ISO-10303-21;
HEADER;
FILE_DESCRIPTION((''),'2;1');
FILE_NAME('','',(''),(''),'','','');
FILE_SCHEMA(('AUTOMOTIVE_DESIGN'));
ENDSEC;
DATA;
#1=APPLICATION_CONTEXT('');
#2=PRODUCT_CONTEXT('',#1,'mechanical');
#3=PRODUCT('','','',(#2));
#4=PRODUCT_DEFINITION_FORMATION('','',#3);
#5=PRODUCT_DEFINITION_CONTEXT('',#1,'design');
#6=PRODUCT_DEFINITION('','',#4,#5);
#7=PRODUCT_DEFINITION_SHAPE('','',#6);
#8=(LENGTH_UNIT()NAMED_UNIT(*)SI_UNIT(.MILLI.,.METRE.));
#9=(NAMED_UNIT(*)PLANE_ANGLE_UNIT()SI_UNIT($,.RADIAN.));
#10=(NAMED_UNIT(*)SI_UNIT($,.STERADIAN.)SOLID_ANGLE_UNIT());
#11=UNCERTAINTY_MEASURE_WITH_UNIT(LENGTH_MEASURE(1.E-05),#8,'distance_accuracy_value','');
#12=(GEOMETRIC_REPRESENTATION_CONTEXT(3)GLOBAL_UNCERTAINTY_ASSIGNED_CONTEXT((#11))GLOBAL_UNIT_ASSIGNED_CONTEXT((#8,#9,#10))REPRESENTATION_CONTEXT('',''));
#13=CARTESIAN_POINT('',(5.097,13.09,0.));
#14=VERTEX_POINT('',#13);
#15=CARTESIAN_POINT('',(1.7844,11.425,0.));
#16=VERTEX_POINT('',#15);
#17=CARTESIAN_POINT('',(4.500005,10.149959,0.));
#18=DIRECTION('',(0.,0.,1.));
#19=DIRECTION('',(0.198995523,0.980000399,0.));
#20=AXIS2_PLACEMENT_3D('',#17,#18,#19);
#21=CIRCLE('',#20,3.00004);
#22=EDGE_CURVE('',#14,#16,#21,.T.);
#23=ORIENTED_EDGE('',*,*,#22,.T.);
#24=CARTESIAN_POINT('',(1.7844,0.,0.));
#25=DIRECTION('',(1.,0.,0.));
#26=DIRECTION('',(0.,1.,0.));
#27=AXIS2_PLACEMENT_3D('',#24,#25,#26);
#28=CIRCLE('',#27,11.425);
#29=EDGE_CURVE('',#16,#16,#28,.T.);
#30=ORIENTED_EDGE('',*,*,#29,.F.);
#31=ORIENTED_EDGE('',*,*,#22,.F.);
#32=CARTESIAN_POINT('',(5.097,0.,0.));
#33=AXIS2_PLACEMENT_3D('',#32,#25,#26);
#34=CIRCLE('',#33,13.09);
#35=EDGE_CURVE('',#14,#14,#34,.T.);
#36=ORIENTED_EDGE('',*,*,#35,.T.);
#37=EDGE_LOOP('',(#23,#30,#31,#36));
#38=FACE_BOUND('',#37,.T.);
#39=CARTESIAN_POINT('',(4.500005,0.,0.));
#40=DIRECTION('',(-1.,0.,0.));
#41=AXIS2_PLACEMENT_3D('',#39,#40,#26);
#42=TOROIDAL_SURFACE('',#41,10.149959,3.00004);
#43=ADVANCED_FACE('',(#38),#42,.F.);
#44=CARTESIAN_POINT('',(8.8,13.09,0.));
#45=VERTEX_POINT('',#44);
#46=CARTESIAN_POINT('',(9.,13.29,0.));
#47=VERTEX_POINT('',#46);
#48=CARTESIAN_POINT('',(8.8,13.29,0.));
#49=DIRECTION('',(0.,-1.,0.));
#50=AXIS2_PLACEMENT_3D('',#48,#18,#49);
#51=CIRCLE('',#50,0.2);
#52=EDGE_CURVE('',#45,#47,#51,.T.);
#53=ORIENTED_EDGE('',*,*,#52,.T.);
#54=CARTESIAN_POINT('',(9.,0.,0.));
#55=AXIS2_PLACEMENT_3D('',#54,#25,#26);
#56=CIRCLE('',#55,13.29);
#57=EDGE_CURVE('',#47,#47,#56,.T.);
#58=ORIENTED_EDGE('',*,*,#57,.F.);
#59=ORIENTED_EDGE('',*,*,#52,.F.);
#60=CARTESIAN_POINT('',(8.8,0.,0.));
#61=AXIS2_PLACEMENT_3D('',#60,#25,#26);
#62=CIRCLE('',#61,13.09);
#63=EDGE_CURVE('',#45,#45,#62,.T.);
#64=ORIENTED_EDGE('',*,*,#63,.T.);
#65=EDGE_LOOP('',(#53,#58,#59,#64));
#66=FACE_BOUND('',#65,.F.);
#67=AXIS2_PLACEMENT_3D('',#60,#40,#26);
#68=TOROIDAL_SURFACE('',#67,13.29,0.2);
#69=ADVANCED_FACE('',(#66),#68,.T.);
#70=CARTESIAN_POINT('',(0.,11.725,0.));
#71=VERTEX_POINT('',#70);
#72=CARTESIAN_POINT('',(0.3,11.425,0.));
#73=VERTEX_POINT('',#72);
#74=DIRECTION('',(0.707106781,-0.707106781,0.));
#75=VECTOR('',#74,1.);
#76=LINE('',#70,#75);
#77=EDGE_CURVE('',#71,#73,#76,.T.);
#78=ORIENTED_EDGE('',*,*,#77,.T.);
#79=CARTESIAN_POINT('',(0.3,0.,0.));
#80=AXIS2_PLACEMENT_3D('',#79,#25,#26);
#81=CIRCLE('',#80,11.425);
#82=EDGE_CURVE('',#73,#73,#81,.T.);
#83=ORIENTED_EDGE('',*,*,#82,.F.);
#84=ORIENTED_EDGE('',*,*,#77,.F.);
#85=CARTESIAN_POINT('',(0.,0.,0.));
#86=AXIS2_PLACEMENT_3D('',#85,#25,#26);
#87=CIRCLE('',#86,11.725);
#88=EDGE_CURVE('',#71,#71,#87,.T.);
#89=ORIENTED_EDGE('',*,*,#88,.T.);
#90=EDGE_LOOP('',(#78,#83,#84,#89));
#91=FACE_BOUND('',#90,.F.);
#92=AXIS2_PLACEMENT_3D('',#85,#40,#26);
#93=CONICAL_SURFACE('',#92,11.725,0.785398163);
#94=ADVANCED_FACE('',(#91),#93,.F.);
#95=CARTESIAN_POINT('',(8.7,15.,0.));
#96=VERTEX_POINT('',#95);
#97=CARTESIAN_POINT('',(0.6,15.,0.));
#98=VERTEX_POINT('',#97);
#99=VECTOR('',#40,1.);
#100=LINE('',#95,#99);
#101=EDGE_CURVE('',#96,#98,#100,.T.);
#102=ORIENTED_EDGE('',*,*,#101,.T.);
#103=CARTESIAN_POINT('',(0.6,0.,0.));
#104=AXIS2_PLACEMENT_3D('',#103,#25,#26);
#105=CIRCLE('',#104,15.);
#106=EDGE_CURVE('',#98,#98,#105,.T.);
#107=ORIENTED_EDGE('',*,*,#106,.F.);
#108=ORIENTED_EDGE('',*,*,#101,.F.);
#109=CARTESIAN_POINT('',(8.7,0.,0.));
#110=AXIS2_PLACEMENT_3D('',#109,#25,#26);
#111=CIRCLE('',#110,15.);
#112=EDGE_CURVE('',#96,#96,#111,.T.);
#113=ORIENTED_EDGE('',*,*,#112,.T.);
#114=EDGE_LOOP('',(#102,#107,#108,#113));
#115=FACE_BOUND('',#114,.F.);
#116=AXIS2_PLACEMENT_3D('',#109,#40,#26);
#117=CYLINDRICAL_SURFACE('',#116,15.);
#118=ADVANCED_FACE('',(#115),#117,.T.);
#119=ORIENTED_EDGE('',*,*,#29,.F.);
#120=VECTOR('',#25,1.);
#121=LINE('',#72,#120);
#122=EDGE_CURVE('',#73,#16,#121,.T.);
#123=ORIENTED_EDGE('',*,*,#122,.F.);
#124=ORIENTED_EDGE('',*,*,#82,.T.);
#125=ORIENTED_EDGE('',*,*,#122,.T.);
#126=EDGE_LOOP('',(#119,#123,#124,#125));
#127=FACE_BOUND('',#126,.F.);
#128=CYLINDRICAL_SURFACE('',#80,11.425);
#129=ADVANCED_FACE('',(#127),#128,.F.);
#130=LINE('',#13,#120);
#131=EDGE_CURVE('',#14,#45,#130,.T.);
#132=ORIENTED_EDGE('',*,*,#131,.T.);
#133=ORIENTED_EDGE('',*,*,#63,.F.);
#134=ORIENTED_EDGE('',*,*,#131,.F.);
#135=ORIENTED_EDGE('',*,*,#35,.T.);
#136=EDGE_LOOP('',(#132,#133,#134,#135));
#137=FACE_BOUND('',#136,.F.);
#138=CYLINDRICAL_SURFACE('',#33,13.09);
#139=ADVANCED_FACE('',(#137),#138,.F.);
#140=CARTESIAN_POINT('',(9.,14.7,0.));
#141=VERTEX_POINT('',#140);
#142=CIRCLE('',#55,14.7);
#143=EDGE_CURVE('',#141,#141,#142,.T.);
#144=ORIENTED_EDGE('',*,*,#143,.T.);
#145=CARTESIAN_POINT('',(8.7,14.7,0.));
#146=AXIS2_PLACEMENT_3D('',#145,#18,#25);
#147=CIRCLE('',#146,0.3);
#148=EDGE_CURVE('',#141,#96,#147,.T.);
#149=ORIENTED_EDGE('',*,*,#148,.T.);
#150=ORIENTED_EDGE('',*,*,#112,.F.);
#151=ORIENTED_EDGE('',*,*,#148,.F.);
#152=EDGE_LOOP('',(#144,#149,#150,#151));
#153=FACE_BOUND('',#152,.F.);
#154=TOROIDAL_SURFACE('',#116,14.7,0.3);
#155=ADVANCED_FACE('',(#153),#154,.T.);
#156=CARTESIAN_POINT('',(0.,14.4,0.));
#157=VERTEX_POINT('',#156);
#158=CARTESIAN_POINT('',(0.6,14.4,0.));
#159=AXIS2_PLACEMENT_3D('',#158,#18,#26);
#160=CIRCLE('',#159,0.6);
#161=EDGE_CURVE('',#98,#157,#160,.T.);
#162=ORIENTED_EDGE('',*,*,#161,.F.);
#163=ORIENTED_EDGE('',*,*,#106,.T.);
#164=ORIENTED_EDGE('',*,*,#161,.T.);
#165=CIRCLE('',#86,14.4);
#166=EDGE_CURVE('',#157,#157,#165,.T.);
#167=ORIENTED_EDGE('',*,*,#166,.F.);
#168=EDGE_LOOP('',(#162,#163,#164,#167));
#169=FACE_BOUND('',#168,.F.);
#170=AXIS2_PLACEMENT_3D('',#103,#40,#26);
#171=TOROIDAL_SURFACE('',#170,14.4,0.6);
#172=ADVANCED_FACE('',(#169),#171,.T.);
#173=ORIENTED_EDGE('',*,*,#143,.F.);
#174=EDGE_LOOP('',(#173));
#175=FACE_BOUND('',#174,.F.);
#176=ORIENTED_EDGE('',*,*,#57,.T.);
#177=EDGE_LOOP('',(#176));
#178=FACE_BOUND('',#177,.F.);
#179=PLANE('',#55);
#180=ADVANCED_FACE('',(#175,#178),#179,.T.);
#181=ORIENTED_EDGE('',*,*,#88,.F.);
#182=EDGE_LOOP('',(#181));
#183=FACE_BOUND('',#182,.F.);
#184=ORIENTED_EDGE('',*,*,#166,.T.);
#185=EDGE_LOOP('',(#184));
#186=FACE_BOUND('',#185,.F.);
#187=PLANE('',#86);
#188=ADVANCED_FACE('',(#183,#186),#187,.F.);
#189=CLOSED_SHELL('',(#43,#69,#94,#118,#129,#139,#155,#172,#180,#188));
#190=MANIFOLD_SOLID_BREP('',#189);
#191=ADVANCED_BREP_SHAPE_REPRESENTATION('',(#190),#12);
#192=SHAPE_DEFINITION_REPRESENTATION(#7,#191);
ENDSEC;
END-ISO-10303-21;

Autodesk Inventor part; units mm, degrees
ref_plane "YZ Plane" through (0, 0, 0) normal (1, 0, 0) x (0, 1, 0)
ref_plane "XZ Plane" through (0, 0, 0) normal (0, 1, 0) x (-1, 0, 0)
ref_plane "XY Plane" through (0, 0, 0) normal (0, 0, 1) x (1, 0, 0)
sketch "Sketch_1" plane through (0, 0, 0) normal (0, 0, 1) x (1, 0, 0)
  line L0 (9, 0) -> (0, 0)
  line L1 (0, 11.725) -> (0.3, 11.425)
  line L2 (0.3, 11.425) -> (1.7844, 11.425)
  arc A0 (5.097, 13.09) -> (1.7844, 11.425) centre (4.5, 10.15) ccw
  line L3 (5.097, 13.09) -> (8.8, 13.09)
  arc A1 (8.8, 13.09) -> (9, 13.29) centre (8.8, 13.29) ccw
  line L4 (9, 13.29) -> (9, 14.7)
  arc A2 (9, 14.7) -> (8.7, 15) centre (8.7, 14.7) ccw
  line L5 (8.7, 15) -> (0.6, 15)
  arc A3 (0.6, 15) -> (0, 14.4) centre (0.6, 14.4) ccw
  line L6 (0, 14.4) -> (0, 11.725)
revolve "Revolution1" add sketch "Sketch_1" angle 360 about axis through (9, 0, 0) along (1, 0, 0)
properties part number "SKF_7200 BECBP_PART2"
